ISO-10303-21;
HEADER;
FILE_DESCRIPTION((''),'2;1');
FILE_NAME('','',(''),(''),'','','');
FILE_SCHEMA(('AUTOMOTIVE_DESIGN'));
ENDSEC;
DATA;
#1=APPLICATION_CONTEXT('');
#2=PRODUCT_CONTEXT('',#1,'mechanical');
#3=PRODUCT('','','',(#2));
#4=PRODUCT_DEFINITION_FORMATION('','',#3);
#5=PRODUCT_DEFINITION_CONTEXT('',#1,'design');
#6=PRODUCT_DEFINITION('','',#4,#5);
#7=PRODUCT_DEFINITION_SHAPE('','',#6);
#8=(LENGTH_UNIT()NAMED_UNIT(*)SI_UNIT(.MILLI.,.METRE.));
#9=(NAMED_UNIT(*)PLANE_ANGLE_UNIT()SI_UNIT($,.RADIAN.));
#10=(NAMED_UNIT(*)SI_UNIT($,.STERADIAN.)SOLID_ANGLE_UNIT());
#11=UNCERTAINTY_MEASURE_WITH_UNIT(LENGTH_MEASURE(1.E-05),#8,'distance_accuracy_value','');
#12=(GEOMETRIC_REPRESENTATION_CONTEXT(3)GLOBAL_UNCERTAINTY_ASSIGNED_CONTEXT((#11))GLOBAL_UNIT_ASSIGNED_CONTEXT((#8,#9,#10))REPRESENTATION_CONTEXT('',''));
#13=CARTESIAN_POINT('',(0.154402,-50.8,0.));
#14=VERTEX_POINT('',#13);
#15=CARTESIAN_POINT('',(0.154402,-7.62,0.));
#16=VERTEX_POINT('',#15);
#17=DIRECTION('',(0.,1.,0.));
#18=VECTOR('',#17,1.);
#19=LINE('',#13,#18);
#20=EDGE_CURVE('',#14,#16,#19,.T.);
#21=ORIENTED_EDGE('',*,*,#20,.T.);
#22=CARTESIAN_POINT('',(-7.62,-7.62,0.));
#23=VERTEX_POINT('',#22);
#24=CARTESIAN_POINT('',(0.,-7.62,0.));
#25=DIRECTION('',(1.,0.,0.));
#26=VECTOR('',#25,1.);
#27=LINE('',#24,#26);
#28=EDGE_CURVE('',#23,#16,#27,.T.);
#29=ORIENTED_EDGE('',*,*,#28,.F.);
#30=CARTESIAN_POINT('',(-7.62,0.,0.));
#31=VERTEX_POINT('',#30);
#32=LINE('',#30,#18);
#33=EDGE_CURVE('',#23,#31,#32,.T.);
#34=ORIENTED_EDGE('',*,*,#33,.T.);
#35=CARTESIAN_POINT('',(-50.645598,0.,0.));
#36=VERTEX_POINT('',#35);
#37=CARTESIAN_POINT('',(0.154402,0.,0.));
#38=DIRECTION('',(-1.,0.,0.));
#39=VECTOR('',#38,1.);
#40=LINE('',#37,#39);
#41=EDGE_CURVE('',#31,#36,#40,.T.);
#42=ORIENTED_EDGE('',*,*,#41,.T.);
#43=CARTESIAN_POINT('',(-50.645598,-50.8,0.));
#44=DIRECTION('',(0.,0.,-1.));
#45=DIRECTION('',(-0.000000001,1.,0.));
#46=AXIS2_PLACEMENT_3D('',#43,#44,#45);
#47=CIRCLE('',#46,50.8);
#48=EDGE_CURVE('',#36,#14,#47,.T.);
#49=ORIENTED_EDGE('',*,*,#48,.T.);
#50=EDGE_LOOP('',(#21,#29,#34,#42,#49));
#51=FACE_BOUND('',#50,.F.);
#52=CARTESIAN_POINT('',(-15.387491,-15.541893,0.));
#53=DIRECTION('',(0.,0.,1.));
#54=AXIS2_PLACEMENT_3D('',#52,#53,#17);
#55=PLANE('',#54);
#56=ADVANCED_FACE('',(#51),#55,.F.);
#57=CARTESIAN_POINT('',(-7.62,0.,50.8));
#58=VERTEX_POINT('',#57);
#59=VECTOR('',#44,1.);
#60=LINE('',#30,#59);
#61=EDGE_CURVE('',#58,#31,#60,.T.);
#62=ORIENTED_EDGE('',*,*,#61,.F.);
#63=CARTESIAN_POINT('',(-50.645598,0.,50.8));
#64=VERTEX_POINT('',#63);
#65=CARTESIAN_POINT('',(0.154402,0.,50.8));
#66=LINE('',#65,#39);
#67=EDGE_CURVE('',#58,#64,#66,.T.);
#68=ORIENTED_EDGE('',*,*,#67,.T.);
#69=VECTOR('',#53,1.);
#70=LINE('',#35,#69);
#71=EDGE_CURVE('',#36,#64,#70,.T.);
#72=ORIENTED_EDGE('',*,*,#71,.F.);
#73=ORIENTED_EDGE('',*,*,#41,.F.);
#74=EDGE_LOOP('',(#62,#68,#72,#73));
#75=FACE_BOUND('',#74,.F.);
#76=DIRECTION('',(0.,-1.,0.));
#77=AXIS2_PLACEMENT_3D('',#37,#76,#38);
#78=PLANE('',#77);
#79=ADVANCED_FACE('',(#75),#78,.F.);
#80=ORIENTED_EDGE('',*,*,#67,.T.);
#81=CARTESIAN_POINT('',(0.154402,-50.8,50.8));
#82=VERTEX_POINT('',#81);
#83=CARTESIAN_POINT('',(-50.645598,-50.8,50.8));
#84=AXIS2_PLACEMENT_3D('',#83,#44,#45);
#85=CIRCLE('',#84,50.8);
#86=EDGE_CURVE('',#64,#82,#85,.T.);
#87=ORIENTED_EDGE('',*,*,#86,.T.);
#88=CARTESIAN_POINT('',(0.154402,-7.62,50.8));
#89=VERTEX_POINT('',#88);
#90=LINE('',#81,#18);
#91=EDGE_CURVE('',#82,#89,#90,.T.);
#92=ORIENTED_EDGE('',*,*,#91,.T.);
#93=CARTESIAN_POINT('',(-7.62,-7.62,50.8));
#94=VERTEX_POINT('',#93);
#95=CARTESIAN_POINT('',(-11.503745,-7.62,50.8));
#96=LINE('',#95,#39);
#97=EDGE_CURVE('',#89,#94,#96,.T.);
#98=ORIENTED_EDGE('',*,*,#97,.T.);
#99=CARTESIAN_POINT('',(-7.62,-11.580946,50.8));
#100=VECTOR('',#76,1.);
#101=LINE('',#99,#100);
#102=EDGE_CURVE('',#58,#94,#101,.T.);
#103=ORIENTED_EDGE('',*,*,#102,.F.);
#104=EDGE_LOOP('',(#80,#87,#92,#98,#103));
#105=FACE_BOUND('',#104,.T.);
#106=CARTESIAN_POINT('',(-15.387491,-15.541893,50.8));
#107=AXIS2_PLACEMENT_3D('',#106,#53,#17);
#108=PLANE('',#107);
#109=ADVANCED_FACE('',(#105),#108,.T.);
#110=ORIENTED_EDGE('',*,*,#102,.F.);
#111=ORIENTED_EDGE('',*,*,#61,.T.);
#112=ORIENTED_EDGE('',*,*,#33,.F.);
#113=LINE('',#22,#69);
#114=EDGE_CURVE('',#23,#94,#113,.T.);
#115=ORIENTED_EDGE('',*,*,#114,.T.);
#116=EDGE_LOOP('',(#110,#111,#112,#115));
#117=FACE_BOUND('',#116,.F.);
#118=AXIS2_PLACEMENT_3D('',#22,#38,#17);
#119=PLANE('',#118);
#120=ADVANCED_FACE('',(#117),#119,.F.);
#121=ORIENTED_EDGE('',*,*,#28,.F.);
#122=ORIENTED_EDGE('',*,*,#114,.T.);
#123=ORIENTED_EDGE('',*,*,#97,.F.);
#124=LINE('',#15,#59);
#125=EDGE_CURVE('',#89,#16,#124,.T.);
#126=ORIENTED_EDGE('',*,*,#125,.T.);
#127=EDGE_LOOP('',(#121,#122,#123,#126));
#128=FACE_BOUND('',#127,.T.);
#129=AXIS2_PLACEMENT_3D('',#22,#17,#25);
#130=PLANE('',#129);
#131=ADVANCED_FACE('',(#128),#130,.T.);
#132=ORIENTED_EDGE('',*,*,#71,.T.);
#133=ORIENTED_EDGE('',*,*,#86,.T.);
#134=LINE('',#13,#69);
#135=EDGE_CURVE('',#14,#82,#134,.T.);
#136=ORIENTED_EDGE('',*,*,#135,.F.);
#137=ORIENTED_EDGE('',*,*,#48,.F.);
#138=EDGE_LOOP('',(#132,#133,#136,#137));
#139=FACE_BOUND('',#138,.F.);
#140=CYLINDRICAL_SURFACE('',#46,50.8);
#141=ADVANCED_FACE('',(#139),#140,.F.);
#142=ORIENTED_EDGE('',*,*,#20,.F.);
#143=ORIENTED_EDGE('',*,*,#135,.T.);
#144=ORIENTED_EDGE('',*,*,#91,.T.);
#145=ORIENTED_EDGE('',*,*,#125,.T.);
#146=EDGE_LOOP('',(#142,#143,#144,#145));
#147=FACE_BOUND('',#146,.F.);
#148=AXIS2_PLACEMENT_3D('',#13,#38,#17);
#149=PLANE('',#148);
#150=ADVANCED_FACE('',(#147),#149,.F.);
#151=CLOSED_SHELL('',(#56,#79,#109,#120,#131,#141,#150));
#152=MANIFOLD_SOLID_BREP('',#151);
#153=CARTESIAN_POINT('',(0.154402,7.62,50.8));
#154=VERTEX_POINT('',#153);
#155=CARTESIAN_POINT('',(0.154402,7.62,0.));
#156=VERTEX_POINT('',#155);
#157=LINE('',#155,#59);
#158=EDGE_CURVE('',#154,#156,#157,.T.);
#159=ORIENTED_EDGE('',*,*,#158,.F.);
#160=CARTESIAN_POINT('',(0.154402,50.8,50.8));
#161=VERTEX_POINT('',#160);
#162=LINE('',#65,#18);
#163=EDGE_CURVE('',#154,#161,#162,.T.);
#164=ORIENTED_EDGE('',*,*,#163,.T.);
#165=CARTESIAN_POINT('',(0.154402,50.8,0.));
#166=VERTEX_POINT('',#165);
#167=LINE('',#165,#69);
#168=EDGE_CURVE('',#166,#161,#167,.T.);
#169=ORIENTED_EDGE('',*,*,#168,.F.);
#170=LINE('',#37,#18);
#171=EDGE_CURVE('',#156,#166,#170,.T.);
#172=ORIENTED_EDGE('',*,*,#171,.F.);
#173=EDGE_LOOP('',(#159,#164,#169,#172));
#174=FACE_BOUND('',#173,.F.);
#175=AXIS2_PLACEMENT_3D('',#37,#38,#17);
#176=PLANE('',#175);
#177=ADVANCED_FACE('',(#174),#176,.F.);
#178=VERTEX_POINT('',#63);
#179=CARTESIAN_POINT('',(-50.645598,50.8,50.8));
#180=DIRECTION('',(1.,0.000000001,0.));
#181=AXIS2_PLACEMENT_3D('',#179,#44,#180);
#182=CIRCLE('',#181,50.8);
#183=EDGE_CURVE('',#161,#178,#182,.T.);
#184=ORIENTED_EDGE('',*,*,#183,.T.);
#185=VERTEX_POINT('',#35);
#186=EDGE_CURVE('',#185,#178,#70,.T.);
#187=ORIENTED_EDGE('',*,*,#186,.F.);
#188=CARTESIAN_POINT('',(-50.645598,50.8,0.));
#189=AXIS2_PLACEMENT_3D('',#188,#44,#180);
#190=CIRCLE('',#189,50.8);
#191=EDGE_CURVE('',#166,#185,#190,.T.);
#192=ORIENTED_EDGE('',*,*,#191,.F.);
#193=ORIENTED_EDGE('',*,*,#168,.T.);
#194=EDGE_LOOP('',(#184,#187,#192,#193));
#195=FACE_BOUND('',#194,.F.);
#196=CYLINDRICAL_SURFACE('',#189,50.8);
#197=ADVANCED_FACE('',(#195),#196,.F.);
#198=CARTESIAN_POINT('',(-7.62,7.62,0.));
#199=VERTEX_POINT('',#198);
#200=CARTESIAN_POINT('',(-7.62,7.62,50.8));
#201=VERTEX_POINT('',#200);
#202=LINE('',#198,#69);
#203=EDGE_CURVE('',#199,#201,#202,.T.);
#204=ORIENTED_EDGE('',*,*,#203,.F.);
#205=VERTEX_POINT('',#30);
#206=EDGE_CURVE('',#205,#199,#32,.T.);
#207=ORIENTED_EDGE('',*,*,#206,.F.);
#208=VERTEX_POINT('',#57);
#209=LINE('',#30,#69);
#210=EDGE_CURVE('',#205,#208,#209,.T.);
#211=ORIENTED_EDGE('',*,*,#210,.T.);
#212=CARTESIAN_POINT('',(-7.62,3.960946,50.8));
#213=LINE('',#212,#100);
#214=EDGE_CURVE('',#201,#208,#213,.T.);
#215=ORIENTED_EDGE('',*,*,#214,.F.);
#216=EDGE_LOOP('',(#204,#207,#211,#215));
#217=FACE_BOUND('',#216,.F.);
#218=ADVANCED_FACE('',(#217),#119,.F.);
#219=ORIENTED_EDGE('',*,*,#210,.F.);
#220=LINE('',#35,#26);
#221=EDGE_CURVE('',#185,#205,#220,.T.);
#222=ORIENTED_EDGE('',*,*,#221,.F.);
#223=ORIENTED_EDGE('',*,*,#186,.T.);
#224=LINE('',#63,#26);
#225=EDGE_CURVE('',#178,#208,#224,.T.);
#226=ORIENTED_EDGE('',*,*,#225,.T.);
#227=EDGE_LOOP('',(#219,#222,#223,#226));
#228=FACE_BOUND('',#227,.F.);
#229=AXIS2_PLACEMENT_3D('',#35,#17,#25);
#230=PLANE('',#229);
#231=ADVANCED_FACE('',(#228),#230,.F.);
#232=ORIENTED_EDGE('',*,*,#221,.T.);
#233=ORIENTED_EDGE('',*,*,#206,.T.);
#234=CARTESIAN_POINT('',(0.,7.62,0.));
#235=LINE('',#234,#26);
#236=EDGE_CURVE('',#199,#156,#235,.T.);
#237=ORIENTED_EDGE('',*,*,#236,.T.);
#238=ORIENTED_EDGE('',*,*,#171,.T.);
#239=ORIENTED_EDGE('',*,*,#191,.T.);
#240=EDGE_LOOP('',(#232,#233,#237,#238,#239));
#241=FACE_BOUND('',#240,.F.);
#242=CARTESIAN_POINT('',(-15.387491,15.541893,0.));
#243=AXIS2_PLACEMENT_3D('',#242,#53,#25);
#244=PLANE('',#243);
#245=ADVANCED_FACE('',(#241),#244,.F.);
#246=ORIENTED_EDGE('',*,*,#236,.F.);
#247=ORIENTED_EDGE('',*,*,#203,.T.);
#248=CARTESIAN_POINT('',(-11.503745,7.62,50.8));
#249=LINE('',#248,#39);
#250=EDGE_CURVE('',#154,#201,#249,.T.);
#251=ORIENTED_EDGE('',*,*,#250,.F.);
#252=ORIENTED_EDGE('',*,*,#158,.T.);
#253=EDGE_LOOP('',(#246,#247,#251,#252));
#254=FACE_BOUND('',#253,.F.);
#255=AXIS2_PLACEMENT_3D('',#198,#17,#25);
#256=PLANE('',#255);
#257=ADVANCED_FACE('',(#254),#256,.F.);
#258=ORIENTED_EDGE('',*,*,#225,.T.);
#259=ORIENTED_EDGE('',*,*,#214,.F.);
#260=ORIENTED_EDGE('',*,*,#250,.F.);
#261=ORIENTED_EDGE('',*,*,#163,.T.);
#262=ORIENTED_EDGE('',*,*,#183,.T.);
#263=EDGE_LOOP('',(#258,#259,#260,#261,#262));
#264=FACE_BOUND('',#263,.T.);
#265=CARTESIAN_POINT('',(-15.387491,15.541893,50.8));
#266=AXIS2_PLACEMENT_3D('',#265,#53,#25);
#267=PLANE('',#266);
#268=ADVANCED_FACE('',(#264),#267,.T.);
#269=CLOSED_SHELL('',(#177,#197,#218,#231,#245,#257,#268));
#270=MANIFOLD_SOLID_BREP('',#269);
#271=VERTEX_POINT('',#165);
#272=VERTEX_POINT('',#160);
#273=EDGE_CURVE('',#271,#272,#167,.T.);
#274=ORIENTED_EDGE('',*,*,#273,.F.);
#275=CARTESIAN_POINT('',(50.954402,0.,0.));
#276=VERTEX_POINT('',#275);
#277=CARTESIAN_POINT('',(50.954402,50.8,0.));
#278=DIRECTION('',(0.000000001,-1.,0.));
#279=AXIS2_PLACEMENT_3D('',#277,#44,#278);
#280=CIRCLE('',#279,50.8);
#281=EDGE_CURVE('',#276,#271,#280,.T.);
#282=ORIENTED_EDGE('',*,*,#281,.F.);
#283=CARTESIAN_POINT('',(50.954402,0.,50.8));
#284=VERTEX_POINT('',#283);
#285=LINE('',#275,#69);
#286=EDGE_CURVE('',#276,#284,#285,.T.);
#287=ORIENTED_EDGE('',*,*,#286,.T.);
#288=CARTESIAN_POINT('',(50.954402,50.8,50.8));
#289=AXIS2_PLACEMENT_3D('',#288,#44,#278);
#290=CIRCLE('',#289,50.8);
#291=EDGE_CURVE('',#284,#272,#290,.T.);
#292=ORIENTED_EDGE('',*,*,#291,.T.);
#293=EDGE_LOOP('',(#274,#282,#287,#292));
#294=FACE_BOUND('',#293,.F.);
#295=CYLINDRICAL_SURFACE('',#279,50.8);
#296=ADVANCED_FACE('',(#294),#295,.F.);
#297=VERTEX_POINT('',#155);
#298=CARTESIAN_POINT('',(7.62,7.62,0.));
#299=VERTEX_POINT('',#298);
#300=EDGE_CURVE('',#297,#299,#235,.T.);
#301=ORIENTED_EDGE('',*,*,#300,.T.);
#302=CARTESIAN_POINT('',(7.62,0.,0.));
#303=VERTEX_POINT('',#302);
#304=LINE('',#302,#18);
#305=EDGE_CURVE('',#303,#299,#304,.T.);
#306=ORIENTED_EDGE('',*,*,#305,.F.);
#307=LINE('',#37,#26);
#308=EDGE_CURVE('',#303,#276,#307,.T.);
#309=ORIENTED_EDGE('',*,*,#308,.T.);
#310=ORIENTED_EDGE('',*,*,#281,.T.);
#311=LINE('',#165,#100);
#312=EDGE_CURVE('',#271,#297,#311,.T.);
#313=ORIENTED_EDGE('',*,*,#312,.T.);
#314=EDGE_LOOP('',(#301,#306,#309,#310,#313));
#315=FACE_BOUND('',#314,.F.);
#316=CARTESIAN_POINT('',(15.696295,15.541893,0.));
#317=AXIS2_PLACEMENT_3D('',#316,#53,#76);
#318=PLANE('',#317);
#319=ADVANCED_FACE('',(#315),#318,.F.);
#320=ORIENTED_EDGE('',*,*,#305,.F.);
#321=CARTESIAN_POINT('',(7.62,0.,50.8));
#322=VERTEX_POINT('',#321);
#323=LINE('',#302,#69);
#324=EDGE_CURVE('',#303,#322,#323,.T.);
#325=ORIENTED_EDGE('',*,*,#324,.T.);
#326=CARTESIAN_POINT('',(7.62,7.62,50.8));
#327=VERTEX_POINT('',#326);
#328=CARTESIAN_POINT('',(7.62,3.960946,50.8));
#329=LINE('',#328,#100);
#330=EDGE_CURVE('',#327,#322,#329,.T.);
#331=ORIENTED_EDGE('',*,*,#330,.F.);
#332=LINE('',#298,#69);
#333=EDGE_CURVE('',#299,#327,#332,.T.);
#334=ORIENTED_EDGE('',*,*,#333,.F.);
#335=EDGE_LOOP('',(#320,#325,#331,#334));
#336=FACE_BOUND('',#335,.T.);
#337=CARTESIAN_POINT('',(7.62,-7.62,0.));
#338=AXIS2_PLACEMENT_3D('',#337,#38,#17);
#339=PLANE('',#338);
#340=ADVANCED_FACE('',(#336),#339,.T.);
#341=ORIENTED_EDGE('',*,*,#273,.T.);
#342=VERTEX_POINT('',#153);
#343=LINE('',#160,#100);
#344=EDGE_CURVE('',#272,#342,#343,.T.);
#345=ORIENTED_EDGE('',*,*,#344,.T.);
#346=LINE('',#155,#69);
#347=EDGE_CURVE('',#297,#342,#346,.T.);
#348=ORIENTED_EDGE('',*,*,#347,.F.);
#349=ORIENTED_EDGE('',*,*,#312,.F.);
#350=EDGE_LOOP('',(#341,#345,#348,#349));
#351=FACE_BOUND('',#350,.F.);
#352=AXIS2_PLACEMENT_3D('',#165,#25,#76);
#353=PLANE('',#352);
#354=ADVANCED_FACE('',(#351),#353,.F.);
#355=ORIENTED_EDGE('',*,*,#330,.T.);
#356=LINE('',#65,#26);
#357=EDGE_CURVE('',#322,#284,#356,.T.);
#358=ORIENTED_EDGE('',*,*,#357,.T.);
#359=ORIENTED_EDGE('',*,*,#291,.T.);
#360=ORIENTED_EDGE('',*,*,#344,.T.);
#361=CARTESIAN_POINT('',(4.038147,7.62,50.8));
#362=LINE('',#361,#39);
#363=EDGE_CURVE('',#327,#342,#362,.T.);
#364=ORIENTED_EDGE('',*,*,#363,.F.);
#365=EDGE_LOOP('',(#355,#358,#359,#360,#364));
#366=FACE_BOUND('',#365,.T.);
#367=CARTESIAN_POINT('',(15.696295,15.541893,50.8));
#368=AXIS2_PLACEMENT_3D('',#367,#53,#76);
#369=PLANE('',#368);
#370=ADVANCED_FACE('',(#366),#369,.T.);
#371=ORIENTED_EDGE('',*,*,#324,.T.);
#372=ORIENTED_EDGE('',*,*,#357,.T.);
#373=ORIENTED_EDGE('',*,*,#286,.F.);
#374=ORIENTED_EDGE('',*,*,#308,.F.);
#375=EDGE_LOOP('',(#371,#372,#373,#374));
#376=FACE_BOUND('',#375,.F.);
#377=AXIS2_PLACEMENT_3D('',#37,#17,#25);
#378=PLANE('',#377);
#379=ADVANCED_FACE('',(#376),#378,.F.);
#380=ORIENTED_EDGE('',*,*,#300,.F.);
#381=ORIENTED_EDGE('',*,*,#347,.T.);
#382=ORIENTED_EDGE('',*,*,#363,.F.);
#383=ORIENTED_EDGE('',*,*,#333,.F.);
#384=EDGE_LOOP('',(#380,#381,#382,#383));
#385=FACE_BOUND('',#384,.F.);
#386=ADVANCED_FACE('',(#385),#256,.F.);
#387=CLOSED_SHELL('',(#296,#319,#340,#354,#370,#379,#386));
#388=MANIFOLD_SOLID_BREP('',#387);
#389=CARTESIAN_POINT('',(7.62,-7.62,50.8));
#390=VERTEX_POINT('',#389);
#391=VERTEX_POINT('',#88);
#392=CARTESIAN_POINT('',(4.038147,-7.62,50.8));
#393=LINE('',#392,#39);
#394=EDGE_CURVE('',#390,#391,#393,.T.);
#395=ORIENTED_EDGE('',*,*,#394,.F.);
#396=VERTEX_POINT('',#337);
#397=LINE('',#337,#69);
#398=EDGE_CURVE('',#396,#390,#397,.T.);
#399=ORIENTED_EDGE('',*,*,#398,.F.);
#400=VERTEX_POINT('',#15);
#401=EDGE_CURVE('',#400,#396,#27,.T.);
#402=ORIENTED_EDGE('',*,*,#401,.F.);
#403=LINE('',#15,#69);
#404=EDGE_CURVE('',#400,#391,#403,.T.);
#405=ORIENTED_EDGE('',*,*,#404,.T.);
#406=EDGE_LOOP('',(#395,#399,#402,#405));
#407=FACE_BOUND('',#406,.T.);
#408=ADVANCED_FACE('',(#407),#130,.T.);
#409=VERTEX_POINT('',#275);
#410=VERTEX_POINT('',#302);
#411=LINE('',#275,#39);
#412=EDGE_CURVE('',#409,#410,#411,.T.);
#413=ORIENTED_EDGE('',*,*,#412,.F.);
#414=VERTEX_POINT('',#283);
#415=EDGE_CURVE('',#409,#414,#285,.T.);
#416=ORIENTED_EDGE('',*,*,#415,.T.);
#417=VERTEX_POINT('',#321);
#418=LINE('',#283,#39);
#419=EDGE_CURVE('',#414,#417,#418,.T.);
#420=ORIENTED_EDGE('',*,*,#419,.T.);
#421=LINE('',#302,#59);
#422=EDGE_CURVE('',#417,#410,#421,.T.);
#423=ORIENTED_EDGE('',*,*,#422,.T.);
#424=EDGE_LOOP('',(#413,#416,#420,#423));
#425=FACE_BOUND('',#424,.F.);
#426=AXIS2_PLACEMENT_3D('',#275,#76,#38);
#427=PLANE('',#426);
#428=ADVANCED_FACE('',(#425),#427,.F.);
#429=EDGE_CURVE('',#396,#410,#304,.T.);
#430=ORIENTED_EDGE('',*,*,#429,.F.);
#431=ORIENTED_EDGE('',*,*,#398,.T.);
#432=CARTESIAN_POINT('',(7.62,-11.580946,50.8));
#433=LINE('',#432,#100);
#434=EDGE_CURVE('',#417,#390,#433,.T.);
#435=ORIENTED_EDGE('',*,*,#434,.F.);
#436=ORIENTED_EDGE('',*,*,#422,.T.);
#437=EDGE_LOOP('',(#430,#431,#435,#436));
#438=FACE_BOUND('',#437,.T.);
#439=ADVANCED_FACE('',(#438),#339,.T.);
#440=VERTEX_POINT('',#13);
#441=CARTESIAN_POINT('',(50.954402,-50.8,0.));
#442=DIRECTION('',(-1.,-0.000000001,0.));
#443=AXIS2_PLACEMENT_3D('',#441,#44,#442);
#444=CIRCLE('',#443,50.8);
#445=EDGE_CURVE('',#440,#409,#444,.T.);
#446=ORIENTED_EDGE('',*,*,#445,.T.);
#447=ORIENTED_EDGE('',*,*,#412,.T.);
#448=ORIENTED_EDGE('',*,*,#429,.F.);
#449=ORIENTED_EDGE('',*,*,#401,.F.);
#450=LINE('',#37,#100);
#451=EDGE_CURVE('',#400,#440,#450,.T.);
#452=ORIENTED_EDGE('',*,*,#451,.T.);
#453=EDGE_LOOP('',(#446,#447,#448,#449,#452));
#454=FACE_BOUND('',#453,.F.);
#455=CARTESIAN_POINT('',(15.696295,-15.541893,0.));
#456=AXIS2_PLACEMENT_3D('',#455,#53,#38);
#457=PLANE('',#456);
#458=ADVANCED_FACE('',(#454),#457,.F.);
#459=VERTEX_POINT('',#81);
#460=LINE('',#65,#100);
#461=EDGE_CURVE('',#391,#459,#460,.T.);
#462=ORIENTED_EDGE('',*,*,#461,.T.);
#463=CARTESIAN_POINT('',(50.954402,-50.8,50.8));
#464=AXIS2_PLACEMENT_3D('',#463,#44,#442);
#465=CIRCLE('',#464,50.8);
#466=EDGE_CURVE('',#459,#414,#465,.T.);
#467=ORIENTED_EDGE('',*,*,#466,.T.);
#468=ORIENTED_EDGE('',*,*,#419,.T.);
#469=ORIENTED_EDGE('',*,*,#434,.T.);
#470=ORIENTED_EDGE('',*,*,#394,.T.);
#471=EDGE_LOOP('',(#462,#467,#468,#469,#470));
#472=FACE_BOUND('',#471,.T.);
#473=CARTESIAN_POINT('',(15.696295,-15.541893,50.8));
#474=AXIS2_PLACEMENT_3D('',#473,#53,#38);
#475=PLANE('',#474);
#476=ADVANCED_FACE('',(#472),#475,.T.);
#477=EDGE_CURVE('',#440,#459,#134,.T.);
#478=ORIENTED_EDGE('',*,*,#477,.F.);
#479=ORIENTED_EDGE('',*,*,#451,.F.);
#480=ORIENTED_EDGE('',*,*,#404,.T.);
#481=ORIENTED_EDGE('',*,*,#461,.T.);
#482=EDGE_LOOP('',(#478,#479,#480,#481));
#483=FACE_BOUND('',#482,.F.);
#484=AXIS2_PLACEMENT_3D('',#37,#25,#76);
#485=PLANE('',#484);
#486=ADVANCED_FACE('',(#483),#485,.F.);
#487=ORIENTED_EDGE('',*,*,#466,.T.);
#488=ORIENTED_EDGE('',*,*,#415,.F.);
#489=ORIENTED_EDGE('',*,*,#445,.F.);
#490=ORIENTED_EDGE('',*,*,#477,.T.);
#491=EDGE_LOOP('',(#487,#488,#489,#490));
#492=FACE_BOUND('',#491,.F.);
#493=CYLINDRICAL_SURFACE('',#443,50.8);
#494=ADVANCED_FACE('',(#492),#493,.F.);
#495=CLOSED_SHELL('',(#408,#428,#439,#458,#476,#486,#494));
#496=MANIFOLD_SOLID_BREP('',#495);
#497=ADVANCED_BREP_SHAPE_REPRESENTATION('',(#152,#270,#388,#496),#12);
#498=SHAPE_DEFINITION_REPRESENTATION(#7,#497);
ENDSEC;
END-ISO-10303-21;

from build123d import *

# Parameters (mm, degrees)
F2_DEPTH = 50.8
F3_COUNT = 4
F1_W     = 15.24
F1_H     = 15.24
F4_DEPTH = 50.801


with BuildPart() as f2:
    # F0 (on Top) → F2 (new body)
    with BuildSketch(Plane.XY):
        with BuildLine():
            ThreePointArc((0.154402, 50.8), (-14.724573, 14.878976), (-50.645598, 0))
            Line((-50.645598, 0), (0.154402, 0))
            Line((0.154402, 0), (0.154402, 50.8))
        make_face()
    extrude(amount=F2_DEPTH)


with BuildPart() as f3_1:
    # F3: instance of F2
    add(f2.part.rotate(Axis((0.154402, 0, 25.4), (0, 0, 1)), 1 * 360 / F3_COUNT))


with BuildPart() as f3_2:
    # F3: instance of F2
    add(f2.part.rotate(Axis((0.154402, 0, 25.4), (0, 0, 1)), 2 * 360 / F3_COUNT))


with BuildPart() as f3_3:
    # F3: instance of F2
    add(f2.part.rotate(Axis((0.154402, 0, 25.4), (0, 0, 1)), 3 * 360 / F3_COUNT))


with BuildPart() as f4_tool:
    # F1 (on Top) → F4 (new body, through all)
    with BuildSketch(Plane.XY):
        Rectangle(F1_W, F1_H)
    extrude(amount=F4_DEPTH)


with BuildPart() as f2_1:
    add(f2.part)

    # F4: cut by f4_tool
    add(f4_tool.part, mode=Mode.SUBTRACT)


with BuildPart() as f3_1_1:
    add(f3_1.part)

    # F4: cut by f4_tool
    add(f4_tool.part, mode=Mode.SUBTRACT)


with BuildPart() as f3_2_1:
    add(f3_2.part)

    # F4: cut by f4_tool
    add(f4_tool.part, mode=Mode.SUBTRACT)


with BuildPart() as f3_3_1:
    add(f3_3.part)

    # F4: cut by f4_tool
    add(f4_tool.part, mode=Mode.SUBTRACT)


solid = Compound([f2_1.part, f3_1_1.part, f3_2_1.part, f3_3_1.part])
